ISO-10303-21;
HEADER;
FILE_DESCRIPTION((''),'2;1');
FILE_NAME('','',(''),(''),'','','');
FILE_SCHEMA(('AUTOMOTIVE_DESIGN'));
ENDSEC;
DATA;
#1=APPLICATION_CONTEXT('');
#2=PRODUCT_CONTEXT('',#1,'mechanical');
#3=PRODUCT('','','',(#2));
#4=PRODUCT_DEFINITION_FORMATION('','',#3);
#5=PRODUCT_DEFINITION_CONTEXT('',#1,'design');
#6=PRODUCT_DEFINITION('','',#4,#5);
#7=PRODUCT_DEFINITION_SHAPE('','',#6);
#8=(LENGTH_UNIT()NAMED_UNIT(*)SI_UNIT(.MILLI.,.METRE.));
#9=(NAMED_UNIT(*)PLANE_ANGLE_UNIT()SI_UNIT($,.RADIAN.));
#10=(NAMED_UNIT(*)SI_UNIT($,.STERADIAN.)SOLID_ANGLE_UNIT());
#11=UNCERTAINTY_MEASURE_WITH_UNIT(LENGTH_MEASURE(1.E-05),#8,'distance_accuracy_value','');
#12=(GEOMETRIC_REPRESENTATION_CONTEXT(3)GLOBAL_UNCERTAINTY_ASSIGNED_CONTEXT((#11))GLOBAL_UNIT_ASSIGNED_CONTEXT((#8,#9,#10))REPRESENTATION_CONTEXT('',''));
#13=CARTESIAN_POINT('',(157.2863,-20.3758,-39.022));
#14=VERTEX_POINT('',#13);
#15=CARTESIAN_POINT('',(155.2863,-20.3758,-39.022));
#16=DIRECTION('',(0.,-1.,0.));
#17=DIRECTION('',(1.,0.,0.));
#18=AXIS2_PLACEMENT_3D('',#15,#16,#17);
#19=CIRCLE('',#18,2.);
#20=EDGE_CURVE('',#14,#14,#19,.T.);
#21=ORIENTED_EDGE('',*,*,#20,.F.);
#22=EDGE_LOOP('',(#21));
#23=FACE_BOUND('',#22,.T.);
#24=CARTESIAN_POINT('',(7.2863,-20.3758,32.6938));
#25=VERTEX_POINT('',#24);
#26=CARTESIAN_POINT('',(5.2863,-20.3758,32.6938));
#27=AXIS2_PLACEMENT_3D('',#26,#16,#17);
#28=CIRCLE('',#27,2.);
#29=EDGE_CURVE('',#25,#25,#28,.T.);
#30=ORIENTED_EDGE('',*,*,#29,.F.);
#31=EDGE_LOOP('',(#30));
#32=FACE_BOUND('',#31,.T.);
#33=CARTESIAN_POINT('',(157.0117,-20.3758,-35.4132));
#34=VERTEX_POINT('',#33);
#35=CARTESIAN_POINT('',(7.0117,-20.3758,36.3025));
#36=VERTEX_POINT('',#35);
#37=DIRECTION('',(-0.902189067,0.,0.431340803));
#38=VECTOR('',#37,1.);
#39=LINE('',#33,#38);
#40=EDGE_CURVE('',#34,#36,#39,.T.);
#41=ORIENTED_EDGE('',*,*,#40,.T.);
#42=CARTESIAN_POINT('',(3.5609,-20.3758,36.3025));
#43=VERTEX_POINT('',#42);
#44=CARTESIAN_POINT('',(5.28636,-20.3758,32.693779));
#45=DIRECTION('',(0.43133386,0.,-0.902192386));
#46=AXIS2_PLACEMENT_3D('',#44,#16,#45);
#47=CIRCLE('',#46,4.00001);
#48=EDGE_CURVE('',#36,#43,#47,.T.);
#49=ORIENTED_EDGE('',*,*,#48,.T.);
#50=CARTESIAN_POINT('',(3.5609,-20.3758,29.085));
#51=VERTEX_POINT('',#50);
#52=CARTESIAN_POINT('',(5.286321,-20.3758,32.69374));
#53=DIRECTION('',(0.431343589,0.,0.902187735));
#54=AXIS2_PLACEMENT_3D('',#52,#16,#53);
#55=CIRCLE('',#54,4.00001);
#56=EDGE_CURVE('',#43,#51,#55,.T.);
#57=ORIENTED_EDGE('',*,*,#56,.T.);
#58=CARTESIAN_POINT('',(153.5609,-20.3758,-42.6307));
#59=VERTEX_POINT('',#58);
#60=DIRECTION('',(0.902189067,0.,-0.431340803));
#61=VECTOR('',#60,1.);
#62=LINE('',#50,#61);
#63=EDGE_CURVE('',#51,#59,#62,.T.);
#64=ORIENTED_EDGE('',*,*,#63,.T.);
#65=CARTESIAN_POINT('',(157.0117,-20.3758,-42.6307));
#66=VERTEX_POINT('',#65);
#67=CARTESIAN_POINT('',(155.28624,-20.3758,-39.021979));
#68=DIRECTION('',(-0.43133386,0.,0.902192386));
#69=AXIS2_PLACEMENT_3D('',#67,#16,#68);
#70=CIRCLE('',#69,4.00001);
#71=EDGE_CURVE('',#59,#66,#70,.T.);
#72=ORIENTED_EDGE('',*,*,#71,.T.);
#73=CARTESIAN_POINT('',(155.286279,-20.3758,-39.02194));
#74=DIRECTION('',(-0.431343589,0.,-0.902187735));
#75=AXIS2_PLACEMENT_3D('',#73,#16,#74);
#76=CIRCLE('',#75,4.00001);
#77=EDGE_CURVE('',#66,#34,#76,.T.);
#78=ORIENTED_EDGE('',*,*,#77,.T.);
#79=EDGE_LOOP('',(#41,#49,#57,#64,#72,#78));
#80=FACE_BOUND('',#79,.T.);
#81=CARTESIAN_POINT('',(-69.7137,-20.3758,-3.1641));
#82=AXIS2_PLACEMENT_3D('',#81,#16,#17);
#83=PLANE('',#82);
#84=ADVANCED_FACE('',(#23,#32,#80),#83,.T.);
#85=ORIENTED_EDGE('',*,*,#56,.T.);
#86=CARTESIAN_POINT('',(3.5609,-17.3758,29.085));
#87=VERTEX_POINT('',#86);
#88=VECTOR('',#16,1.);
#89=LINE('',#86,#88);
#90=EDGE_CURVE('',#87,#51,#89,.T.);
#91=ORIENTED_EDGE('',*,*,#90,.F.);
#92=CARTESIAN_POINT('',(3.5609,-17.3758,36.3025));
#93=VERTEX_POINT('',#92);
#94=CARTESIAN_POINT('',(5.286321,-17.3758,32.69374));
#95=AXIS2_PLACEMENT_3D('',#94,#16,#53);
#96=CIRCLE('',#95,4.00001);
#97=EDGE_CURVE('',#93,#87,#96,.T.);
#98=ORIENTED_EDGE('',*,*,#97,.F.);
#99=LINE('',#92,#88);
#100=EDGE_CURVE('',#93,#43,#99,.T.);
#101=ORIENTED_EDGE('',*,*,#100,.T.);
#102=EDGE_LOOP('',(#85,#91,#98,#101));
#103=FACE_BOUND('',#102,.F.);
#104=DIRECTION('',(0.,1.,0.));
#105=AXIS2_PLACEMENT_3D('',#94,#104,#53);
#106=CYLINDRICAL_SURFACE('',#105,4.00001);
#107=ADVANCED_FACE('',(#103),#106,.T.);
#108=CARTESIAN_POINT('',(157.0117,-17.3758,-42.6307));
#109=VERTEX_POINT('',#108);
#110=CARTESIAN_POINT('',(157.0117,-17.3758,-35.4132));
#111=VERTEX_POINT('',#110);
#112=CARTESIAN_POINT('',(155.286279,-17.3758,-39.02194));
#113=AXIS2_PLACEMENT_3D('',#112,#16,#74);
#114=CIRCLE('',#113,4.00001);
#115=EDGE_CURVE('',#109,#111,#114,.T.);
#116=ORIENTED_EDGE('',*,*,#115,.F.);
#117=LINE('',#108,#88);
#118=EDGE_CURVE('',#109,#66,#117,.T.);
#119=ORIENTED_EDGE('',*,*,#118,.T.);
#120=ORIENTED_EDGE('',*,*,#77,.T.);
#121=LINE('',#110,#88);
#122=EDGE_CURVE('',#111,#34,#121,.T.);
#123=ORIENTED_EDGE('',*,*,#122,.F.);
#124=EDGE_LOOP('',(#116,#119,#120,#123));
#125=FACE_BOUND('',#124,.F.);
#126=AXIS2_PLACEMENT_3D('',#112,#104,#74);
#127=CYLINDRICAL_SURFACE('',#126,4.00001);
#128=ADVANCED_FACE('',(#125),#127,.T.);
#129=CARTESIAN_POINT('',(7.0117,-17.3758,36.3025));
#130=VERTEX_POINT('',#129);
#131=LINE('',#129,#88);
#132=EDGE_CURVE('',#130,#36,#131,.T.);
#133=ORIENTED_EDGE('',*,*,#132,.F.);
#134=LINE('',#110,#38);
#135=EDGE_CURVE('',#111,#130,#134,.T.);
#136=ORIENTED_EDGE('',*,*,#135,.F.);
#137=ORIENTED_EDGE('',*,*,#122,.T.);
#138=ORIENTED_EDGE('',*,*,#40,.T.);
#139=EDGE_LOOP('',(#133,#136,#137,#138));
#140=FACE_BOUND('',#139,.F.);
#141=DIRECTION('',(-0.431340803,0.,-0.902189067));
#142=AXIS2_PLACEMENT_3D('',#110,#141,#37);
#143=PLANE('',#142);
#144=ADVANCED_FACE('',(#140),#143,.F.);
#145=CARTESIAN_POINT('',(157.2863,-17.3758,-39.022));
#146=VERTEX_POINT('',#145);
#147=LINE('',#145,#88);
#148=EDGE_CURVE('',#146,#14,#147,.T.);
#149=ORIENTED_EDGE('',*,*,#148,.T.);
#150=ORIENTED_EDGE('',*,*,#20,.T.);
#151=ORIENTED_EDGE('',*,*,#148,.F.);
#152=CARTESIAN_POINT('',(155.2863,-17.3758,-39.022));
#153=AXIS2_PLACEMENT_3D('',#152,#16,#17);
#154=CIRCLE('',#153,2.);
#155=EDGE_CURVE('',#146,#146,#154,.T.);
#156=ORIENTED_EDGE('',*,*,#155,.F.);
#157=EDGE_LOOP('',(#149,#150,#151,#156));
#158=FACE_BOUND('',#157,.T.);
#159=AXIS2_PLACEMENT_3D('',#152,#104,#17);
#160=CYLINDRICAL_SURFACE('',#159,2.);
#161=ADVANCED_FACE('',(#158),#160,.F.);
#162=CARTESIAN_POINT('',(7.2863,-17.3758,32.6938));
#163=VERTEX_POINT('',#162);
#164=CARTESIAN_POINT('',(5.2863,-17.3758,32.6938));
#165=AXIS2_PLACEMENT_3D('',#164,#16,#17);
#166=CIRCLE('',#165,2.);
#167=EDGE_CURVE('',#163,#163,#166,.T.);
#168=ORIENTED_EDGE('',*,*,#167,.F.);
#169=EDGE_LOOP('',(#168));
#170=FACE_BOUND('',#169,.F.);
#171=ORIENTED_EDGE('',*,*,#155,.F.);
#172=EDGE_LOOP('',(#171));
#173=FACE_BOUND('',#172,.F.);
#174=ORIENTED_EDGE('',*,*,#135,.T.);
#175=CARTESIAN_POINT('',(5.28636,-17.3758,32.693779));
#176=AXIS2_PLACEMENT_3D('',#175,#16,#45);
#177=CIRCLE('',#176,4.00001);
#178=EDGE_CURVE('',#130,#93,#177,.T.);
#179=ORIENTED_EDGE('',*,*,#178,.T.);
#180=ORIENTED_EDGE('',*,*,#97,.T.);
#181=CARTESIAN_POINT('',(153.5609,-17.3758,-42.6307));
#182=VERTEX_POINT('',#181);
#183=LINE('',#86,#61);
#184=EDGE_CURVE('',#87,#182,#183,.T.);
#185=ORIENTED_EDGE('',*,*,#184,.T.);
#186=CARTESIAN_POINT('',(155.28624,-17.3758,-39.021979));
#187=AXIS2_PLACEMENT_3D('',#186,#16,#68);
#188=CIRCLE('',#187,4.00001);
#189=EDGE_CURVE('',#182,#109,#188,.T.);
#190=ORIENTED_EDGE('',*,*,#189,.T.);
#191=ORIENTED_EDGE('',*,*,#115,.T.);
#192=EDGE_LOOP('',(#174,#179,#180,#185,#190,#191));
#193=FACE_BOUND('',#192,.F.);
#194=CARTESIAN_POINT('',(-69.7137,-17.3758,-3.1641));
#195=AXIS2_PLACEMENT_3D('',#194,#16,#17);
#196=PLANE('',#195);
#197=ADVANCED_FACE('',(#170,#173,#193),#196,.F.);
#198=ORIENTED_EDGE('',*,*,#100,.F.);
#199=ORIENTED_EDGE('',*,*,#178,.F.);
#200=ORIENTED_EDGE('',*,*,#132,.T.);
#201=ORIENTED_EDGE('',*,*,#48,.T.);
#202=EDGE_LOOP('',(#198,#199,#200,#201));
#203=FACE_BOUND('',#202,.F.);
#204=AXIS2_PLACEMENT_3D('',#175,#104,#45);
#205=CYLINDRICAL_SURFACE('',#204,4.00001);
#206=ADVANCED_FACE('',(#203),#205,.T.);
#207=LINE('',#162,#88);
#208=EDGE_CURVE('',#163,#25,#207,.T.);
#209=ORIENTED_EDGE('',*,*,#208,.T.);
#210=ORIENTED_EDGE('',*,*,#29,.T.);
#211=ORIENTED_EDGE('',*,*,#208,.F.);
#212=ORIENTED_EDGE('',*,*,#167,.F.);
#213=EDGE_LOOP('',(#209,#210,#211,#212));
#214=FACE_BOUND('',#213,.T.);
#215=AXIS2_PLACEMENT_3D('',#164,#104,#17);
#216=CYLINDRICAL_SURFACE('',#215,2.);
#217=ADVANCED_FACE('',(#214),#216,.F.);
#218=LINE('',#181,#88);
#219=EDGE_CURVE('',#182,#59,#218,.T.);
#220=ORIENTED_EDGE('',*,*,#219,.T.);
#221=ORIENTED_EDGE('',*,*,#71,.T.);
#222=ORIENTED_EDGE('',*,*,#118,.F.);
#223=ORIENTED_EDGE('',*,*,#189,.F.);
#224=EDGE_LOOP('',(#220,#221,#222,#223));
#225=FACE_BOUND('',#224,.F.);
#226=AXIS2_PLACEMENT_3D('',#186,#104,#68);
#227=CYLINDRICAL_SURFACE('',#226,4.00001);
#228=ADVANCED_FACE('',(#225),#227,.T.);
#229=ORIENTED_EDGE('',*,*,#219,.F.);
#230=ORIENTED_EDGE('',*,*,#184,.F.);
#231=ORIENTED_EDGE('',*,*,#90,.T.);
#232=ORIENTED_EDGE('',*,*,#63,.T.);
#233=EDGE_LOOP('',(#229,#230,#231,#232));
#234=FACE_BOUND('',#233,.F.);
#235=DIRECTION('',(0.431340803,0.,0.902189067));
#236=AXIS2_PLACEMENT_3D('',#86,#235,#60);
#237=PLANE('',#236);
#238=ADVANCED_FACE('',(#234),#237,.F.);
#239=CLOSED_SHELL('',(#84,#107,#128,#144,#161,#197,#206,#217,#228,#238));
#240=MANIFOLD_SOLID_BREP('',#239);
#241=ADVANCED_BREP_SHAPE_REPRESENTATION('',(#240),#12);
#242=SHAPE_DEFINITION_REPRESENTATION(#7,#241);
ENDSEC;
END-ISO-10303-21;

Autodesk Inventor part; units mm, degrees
ref_plane "YZ Plane" through (0, 0, 0) normal (1, 0, 0) x (0, 1, 0)
ref_plane "XZ Plane" through (0, 0, 0) normal (0, 1, 0) x (-1, 0, 0)
ref_plane "XY Plane" through (0, 0, 0) normal (0, 0, 1) x (1, 0, 0)
ref_plane "Work Plane1" through (-69.7137, -17.3758, -3.1641) normal (0, -1, 0) x (1, 0, 0)
sketch "Sketch1" plane through (-69.7137, -17.3758, -3.1641) normal (0, -1, 0) x (1, 0, 0)
  arc A0 (76.7254, 32.2491) -> (73.2746, 39.4666) centre (75, 35.8579) ccw projected
  circle A1 centre (75, 35.8579) radius 2 projected
  arc A2 (223.2746, -32.2491) -> (226.7254, -39.4666) centre (225, -35.8579) ccw projected
  circle A3 centre (225, -35.8579) radius 2 projected
  line L0 (75, 35.8579) -> (225, -35.8579) construction
  line L1 (73.2746, 32.2491) -> (223.2746, -39.4666)
  line L2 (226.7254, -32.2491) -> (76.7254, 39.4666)
  arc A4 (76.7254, 39.4666) -> (73.2746, 32.2491) centre (75, 35.8579) ccw
  arc A5 (223.2746, -39.4666) -> (226.7254, -32.2491) centre (225, -35.8579) ccw
  point P0 (69.7137, 3.1641)
  point P1 (150, 0)
  point P2 (226.7254, -39.4666)
  dimension "d0" = 8
extrude "Extrusion1" add sketch "Sketch1" along normal blind 3
properties part number "truss frame slanting down"
